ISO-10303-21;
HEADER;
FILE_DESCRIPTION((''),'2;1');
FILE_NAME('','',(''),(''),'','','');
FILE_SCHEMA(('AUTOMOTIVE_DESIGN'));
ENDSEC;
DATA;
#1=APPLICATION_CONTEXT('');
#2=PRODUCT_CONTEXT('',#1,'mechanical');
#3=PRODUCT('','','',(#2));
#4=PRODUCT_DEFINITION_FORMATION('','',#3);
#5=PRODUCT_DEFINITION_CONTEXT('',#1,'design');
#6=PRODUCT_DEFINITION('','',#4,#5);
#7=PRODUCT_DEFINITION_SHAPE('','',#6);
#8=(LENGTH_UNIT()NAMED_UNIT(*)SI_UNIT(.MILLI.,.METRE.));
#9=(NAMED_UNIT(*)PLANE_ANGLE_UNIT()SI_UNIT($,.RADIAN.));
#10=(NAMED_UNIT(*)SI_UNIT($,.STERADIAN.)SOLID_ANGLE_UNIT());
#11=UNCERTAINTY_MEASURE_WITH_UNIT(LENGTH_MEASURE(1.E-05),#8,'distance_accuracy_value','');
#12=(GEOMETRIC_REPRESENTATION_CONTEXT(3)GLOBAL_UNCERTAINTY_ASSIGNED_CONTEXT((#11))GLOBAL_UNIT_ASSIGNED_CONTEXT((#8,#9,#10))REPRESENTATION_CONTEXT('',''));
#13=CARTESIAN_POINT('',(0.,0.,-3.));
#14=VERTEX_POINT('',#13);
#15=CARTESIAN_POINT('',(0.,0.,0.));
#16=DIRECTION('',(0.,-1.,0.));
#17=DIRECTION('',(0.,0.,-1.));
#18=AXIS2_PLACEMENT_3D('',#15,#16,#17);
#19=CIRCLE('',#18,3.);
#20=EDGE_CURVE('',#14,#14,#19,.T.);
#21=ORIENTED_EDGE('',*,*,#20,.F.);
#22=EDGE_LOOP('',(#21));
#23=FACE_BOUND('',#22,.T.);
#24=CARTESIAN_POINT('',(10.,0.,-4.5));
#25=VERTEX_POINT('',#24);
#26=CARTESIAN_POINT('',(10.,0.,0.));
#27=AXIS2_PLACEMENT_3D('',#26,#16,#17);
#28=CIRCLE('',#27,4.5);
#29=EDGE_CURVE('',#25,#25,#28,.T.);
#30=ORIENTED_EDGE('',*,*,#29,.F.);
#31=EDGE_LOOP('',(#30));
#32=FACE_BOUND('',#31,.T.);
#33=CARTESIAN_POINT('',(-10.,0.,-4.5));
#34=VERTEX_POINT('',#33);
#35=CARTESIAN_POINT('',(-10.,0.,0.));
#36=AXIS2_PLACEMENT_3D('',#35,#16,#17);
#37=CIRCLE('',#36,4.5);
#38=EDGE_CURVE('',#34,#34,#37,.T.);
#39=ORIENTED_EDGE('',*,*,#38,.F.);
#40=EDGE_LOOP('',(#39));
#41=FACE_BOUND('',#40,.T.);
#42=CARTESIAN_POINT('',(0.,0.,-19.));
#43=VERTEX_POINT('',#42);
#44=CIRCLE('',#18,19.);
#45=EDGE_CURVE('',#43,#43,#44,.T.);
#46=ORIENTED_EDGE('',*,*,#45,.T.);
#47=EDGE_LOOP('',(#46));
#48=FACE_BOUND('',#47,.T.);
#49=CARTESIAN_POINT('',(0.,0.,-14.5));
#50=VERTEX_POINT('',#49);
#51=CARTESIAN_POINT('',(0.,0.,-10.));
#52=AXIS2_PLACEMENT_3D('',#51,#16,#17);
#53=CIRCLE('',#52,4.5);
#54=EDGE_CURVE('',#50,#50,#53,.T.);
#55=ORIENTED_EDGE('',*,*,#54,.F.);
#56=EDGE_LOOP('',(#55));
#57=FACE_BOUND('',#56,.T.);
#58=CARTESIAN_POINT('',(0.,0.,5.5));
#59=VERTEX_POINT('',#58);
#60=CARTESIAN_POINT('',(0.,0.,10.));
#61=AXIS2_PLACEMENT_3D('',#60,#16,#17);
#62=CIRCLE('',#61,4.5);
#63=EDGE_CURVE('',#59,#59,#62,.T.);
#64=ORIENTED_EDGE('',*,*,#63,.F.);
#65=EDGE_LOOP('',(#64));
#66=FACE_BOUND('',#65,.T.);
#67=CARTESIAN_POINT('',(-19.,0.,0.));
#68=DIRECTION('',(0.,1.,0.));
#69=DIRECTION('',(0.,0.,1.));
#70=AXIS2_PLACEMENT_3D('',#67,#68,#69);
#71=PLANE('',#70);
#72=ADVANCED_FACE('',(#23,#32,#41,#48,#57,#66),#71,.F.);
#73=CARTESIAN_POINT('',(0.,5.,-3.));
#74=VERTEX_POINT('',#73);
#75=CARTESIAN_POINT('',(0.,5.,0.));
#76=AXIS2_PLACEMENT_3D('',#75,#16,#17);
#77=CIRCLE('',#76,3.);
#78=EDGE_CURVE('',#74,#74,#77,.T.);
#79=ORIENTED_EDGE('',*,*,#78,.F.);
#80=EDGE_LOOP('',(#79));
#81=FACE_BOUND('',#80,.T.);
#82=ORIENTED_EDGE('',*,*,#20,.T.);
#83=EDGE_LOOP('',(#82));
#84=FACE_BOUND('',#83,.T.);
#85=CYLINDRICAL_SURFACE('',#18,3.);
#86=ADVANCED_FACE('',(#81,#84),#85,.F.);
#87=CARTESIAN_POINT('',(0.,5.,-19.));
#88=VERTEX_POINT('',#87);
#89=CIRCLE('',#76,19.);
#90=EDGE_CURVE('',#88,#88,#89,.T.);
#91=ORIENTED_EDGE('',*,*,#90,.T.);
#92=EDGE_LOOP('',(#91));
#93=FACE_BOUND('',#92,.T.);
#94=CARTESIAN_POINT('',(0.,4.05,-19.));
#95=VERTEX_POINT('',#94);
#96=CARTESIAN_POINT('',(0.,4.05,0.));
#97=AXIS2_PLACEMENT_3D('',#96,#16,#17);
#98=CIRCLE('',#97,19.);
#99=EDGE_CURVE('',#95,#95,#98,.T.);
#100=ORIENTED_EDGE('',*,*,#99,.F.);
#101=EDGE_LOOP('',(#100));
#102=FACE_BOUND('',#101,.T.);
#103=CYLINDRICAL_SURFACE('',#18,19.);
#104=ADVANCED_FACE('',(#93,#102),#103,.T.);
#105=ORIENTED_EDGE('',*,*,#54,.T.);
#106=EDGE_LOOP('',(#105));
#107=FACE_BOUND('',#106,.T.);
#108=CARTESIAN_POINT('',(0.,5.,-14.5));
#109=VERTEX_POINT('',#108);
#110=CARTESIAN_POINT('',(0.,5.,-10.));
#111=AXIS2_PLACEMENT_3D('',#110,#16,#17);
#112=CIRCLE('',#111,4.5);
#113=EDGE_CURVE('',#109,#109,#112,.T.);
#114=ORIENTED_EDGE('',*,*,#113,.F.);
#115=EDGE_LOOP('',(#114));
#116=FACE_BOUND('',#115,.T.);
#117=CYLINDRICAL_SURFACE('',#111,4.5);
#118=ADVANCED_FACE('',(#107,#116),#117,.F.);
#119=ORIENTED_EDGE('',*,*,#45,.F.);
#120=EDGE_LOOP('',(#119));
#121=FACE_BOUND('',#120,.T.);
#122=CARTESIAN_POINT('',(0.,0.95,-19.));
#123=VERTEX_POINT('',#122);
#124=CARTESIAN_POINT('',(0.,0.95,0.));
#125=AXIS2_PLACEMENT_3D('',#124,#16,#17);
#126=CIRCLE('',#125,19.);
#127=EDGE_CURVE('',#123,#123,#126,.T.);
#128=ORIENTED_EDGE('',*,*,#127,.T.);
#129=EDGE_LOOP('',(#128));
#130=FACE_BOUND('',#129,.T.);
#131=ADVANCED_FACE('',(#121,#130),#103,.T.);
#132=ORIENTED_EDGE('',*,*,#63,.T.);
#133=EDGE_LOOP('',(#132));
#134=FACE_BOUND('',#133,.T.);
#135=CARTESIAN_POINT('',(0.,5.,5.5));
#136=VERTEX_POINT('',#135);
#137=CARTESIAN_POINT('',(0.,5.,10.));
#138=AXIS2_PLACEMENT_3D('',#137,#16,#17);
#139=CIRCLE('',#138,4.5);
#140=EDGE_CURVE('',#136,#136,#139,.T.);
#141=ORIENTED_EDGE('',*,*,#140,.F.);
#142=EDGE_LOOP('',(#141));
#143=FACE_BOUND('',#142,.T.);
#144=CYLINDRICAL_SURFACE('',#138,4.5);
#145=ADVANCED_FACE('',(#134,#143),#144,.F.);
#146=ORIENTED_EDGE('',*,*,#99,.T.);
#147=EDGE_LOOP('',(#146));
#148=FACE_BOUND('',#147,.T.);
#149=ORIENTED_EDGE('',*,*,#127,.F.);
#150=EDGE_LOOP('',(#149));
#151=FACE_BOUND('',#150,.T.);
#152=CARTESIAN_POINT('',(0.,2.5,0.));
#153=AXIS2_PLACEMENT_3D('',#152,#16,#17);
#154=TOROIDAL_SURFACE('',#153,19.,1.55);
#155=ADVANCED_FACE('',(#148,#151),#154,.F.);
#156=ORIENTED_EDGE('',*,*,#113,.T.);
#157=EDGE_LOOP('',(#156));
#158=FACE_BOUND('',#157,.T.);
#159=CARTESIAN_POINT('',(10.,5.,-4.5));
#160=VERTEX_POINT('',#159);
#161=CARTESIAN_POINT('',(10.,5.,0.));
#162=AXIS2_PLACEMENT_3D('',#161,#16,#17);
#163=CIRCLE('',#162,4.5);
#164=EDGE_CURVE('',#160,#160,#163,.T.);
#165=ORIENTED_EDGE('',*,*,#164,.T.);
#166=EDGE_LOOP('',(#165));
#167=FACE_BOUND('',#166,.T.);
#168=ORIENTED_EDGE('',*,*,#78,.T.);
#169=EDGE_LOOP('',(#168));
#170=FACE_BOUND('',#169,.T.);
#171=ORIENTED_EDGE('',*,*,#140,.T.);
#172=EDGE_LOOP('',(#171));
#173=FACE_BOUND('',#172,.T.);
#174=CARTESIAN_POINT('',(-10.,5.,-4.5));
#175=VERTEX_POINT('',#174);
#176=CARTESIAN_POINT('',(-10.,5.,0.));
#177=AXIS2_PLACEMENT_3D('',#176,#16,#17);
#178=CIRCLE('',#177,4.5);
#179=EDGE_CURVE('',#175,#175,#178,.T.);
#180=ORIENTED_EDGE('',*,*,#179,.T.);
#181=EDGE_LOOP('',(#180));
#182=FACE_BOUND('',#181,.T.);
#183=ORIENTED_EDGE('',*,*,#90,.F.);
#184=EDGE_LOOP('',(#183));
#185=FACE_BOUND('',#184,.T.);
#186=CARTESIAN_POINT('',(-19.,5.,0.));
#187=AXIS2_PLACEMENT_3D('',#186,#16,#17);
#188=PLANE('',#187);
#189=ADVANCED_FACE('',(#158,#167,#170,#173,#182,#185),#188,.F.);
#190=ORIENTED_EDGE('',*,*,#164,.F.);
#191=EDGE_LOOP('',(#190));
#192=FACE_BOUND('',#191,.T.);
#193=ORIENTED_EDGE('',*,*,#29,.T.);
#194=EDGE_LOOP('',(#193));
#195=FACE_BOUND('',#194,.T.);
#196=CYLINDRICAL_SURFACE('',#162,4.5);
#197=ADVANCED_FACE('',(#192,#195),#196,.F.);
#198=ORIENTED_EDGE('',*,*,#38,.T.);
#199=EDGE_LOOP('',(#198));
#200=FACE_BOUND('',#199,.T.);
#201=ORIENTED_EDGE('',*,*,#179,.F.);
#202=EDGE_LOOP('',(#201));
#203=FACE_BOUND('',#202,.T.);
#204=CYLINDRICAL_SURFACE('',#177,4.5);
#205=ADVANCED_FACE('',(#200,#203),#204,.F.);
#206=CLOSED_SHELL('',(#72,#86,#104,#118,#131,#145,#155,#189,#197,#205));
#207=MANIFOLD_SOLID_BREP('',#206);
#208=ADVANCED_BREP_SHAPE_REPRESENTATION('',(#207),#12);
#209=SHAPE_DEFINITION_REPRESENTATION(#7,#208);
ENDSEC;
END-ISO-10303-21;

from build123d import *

# Parameters (mm, degrees)
ESQUISSE2_R             = 4.5
ENL_V_MAT_EXTRU_1_DEPTH = 28.331300737


with BuildPart() as part:
    # Esquisse1 → Révolution1 (revolve)
    with BuildSketch(Plane.XY, mode=Mode.PRIVATE) as r_volution1_sk:
        with BuildLine():
            Line((-19, 0), (-3, 0))
            Line((-3, 0), (-3, 5))
            Line((-3, 5), (-19, 5))
            Line((-19, 5), (-19, 4.05))
            ThreePointArc((-19, 4.05), (-17.45, 2.5), (-19, 0.95))
            Line((-19, 0.95), (-19, 0))
        make_face()
    revolve(r_volution1_sk.sketch.rotate(Axis((0, 0, 0), (0, 1, 0)), 270), axis=Axis((0, 0, 0), (0, 1, 0)))

    # Esquisse2 → Enlèv. mat.-Extru.1 (cut, through all)
    with BuildSketch(Plane(origin=(0, 0, 0), x_dir=(-1, 0, 0), z_dir=(0, -1, 0))):
        with Locations(Location((0, -10, 0), (0, 0, 90))):
            Circle(ESQUISSE2_R)
        with Locations(Location((-10, 0, 0), (0, 0, 90))):
            Circle(ESQUISSE2_R)
        with Locations(Location((0, 10, 0), (0, 0, 90))):
            Circle(ESQUISSE2_R)
        with Locations(Location((10, 0, 0), (0, 0, 90))):
            Circle(ESQUISSE2_R)
    extrude(amount=-ENL_V_MAT_EXTRU_1_DEPTH, mode=Mode.SUBTRACT)


solid = part.part
